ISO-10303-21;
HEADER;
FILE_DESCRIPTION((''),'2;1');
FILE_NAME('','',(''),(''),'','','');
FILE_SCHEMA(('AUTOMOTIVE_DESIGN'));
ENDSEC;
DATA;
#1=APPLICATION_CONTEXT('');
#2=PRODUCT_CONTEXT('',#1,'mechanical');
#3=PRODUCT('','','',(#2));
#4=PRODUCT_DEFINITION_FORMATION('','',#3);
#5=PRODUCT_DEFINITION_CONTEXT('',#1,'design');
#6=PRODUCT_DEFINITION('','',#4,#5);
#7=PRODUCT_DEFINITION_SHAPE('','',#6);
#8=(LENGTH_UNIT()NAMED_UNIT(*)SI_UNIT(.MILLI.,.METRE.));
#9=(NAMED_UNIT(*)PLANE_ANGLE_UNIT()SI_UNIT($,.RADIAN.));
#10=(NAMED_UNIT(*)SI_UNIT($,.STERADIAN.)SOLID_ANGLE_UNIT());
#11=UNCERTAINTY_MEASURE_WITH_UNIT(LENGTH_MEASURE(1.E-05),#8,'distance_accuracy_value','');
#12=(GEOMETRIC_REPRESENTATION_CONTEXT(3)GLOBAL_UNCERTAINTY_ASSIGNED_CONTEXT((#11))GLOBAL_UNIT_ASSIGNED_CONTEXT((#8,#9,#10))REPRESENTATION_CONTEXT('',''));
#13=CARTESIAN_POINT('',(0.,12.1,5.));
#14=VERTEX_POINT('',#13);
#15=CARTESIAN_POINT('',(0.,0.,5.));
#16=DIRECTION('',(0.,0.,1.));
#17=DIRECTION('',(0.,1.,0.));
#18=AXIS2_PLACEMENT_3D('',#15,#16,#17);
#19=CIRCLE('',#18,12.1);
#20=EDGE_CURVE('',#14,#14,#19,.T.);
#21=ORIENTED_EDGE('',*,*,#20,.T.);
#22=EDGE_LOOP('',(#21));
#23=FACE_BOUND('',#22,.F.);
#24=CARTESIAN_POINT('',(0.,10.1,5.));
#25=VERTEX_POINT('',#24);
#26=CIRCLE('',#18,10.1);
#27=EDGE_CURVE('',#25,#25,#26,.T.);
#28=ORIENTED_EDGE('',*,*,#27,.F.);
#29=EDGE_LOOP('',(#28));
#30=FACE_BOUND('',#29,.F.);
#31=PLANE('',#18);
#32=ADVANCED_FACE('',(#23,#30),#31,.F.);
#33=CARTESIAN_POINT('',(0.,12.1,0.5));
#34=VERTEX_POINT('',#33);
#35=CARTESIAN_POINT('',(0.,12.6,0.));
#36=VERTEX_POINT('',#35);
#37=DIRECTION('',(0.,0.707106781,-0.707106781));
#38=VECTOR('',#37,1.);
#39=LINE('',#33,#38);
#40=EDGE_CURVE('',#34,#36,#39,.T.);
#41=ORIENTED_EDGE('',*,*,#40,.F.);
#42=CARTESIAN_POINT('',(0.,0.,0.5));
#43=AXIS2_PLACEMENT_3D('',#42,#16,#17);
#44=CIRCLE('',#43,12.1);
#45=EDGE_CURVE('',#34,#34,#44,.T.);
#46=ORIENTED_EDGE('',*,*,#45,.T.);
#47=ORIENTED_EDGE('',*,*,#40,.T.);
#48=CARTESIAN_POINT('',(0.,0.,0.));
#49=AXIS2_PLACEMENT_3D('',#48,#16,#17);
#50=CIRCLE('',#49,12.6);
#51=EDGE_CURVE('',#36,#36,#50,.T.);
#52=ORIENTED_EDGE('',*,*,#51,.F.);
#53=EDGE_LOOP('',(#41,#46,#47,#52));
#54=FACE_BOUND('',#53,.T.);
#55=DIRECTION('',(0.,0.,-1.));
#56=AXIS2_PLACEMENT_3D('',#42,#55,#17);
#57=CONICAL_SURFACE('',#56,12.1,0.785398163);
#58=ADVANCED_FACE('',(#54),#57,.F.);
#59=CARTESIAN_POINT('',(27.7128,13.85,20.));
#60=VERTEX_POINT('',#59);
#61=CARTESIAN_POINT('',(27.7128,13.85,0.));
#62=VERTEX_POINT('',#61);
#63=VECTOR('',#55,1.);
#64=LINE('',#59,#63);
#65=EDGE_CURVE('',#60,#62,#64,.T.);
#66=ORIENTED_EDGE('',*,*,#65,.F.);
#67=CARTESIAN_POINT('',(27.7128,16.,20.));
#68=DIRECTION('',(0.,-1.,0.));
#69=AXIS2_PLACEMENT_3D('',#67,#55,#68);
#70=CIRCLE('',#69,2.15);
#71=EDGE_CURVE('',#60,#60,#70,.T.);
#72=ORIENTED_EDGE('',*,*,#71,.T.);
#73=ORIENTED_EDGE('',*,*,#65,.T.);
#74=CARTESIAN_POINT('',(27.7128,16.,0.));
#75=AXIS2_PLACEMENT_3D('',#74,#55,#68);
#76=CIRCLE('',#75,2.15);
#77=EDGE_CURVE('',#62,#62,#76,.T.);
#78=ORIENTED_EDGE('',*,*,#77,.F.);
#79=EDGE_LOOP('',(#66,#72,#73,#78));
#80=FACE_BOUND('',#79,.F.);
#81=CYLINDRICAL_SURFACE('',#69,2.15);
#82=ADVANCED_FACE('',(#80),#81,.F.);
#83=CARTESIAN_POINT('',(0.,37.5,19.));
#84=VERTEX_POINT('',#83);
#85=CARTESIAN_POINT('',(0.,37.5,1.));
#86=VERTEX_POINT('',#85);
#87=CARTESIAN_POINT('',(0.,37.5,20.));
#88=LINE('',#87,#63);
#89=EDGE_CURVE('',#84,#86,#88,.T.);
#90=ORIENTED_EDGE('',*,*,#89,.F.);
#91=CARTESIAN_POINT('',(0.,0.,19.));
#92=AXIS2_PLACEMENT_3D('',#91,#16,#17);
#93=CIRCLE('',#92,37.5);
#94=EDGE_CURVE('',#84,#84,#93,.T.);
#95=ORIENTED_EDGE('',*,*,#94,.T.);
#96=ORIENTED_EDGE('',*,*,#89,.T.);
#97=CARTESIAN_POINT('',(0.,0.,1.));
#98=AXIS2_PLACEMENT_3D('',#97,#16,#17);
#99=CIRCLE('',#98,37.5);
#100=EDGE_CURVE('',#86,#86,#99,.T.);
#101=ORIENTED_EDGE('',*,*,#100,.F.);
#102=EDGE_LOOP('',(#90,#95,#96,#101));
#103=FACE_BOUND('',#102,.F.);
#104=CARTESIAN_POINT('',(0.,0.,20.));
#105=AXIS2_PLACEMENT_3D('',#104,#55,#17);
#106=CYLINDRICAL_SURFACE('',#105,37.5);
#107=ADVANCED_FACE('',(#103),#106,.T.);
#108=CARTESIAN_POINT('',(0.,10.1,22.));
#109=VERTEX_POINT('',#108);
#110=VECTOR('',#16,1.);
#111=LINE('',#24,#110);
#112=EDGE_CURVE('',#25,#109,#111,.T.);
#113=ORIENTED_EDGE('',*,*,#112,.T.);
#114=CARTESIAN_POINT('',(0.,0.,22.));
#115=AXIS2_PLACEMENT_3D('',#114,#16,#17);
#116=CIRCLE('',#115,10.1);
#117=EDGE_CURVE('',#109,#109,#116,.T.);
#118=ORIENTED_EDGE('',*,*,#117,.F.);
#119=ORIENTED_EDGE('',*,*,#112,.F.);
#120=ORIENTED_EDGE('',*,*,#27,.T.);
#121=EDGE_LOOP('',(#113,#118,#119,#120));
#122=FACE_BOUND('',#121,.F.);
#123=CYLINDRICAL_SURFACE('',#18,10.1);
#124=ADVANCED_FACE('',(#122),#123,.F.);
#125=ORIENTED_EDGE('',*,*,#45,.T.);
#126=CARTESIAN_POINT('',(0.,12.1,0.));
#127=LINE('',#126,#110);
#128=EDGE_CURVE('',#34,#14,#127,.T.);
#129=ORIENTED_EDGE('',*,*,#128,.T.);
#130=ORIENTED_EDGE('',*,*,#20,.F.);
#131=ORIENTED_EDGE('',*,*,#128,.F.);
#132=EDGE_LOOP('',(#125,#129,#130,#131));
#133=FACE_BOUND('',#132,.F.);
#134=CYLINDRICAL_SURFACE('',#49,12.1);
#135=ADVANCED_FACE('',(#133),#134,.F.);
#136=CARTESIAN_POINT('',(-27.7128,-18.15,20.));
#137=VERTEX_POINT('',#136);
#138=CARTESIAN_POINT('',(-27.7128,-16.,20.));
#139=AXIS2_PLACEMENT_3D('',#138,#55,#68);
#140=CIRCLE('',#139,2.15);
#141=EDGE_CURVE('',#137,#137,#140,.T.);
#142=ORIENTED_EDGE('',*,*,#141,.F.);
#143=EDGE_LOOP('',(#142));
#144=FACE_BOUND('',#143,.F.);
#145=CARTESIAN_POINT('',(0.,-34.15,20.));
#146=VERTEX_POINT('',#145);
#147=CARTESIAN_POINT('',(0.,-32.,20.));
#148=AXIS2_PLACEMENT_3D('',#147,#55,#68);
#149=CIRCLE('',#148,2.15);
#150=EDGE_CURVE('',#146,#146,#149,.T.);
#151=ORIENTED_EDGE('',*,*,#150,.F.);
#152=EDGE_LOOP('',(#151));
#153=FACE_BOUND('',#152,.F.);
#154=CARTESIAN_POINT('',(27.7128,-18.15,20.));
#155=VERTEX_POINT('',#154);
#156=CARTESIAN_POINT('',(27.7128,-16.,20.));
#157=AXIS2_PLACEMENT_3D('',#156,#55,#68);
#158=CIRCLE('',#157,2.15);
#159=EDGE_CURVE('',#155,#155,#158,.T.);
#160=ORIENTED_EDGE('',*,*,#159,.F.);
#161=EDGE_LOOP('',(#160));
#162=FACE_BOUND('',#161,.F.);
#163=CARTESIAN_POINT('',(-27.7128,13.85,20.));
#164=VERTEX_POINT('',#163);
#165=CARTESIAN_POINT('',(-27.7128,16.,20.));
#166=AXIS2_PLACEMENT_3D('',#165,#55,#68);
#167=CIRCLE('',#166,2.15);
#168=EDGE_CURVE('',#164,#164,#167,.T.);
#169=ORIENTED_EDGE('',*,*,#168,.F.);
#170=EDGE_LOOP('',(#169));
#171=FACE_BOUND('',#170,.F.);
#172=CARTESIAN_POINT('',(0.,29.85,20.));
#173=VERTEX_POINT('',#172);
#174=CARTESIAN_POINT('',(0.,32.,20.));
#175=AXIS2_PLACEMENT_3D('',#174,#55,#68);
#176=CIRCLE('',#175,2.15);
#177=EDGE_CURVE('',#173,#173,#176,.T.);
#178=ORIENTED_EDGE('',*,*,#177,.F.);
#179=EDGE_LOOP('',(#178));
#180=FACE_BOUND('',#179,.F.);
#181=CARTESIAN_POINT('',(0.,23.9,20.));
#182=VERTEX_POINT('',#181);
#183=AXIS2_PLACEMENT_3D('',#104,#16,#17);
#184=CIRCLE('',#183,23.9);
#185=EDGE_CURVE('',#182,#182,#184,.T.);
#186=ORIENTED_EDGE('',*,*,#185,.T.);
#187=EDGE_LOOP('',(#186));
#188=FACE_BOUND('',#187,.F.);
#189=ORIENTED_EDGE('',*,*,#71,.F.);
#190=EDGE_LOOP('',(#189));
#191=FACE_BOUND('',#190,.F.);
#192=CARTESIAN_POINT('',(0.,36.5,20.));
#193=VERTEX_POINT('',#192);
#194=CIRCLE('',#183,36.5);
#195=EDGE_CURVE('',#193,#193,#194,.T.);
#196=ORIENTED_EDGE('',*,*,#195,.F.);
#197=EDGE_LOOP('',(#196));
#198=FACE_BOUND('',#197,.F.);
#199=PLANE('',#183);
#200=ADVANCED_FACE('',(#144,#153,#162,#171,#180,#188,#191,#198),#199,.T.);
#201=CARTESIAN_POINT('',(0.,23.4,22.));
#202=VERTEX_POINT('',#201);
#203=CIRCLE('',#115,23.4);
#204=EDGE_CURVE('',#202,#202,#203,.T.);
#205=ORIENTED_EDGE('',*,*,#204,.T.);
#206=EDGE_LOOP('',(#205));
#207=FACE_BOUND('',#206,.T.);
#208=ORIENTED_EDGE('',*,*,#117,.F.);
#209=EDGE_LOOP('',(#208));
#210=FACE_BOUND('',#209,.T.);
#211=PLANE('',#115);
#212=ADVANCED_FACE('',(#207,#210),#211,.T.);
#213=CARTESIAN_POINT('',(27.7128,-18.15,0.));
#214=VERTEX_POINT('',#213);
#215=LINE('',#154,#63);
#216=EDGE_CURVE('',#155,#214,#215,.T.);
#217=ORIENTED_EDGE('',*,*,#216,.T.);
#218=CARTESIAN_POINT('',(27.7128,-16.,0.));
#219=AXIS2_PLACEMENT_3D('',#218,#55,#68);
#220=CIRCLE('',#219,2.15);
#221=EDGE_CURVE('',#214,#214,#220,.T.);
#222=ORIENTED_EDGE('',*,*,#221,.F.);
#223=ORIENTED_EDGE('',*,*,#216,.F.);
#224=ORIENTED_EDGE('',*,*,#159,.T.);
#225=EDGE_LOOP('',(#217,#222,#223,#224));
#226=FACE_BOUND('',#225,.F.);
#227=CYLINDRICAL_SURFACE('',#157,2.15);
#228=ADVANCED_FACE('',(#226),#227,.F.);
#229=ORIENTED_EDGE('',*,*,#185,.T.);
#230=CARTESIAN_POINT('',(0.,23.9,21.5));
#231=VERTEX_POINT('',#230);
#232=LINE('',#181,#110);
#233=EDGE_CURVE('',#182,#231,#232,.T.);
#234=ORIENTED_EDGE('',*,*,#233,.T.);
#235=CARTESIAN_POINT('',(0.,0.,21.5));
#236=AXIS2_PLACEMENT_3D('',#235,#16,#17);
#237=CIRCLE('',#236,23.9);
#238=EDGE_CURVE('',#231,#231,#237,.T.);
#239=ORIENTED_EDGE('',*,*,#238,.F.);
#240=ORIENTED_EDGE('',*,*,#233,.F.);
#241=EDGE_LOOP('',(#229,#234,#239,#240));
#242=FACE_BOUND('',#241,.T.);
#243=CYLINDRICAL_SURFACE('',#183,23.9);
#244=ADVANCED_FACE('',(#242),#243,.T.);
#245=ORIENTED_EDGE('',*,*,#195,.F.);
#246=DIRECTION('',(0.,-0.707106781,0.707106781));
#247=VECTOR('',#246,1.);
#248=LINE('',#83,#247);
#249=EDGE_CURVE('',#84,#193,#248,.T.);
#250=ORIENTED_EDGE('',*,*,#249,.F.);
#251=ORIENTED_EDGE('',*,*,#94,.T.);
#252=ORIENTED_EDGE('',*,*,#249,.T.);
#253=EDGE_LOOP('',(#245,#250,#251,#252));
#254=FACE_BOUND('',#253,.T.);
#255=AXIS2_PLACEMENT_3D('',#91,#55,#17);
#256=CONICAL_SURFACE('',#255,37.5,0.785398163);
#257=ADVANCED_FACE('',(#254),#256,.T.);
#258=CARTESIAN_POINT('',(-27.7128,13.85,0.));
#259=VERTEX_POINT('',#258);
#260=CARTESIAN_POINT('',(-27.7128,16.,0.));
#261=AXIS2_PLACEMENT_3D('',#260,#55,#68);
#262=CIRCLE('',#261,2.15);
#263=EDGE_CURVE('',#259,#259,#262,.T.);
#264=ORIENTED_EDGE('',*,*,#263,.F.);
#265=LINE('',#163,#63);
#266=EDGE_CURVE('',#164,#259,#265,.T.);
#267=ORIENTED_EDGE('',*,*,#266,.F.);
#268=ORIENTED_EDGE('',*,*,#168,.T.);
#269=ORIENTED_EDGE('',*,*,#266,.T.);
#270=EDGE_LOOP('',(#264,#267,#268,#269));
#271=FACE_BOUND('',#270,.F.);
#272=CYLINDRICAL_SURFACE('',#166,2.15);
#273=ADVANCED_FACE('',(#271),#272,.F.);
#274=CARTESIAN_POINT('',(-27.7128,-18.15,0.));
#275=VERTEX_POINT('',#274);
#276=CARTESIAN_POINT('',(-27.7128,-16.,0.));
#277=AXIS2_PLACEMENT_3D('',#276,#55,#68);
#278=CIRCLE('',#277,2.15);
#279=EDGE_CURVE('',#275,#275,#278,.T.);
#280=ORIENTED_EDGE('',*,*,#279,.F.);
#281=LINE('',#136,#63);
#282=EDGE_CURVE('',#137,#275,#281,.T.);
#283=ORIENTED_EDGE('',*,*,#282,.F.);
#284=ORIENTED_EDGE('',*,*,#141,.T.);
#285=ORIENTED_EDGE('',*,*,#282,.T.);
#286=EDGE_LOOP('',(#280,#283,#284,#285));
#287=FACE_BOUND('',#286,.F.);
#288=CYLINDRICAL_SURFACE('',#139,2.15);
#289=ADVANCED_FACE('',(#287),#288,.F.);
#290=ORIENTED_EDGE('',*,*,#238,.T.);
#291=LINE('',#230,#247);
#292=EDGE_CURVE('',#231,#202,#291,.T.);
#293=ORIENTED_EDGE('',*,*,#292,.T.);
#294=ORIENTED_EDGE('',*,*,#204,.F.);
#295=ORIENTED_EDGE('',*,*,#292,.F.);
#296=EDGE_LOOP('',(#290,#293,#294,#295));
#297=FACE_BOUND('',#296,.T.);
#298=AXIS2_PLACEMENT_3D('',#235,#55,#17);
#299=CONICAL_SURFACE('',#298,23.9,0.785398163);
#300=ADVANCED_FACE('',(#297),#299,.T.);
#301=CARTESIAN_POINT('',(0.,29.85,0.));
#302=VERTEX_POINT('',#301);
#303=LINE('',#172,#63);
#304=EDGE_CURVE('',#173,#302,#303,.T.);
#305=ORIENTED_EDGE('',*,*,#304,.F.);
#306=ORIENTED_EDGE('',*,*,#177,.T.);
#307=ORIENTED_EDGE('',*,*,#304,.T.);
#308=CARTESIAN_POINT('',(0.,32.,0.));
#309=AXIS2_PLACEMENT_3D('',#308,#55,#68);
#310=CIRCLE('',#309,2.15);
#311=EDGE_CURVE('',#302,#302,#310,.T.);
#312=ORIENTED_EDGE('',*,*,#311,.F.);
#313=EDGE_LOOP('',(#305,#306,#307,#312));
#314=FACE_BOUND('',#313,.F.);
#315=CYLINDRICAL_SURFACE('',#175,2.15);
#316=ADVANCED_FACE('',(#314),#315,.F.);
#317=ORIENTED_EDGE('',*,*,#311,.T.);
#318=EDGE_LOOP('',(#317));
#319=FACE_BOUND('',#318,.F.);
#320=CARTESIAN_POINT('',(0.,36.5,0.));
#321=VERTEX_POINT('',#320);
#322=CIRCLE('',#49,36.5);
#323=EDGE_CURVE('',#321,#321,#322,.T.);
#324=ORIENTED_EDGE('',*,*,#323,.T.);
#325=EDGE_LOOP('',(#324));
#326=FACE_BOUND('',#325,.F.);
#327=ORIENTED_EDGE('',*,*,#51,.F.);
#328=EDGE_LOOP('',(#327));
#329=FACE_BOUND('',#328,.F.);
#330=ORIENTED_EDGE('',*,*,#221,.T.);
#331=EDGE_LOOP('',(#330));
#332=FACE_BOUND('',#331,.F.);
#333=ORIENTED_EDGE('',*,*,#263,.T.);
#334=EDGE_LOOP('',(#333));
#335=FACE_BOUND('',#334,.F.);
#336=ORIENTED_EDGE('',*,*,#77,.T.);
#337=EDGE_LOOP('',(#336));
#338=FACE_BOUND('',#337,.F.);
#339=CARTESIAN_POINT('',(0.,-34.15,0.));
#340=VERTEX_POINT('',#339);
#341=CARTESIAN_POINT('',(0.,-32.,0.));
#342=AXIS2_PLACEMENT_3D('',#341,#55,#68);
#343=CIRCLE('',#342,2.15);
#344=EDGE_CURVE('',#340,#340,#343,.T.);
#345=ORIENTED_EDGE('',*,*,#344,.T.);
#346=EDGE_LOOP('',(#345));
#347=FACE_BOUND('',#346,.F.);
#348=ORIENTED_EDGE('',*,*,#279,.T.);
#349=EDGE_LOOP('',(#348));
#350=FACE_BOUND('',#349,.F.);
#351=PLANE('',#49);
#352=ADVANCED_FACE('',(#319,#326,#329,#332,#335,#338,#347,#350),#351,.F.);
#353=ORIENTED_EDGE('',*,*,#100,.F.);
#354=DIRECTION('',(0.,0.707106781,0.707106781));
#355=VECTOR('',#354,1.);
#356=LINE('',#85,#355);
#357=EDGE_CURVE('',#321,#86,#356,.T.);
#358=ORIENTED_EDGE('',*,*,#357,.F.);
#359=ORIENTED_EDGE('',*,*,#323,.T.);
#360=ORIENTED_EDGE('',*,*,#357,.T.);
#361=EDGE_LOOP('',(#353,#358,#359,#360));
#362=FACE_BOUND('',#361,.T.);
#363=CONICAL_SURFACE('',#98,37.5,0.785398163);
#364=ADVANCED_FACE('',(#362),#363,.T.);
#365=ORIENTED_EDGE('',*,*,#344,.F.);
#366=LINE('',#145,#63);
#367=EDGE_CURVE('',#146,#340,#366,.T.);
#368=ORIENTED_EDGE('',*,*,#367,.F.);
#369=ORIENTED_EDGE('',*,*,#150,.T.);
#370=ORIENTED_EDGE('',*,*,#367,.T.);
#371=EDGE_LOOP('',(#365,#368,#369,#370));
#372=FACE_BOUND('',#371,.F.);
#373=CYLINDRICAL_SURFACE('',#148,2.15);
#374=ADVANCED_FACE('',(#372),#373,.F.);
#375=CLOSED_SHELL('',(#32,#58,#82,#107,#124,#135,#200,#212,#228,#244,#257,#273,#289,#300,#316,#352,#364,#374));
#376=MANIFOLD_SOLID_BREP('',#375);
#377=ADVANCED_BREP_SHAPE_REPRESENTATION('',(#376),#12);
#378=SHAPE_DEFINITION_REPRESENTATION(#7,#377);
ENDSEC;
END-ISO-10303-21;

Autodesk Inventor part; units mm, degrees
ref_plane "YZ Plane" through (0, 0, 0) normal (1, 0, 0) x (0, 1, 0)
ref_plane "XZ Plane" through (0, 0, 0) normal (0, 1, 0) x (-1, 0, 0)
ref_plane "XY Plane" through (0, 0, 0) normal (0, 0, 1) x (1, 0, 0)
sketch "スケッチ1" plane through (0, 0, 0) normal (1, 0, 0) x (0, 1, 0)
  line L0 (12.1, 0) -> (12.1, 5)
  line L1 (12.1, 5) -> (10.1, 5)
  line L2 (10.1, 5) -> (10.1, 22)
  line L3 (23.9, 20) -> (37.5, 20)
  line L4 (37.5, 20) -> (37.5, 0)
  line L5 (37.5, 0) -> (12.1, 0)
  line L6 (0, -4.4) -> (0, 26.4) projected
  line L7 (23.9, 20) -> (23.9, 22)
  line L8 (23.9, 22) -> (10.1, 22)
  point P0 (0, 0)
  dimension "d0" = 12.1
  dimension "d1" = 37.5
  dimension "d2" = 2
  dimension "d3" = 5
  dimension "d5" = 20
  dimension "d28" = 2
  dimension "d29" = 23.9
revolve "回転1" add sketch "スケッチ1" angle 360 about axis through (0, 0, -10) along (0, 0, 1)
chamfer "面取り1" distance 0.5 angle 45 1 edges at (0, -12.1, 0)
sketch "スケッチ2" plane through (0, 0, 20) normal (0, 0, 1) x (1, 0, 0)
  circle A0 centre (0, 0) radius 32
  point P0 (0, 32)
  point P1 (-27.7128, 16)
  point P2 (-27.7128, -16)
  point P3 (0, -32)
  point P4 (27.7128, -16)
  point P5 (27.7128, 16)
  dimension "d10" = 64
  dimension "d13" = 360
hole "穴1" at (0, 32, 20) at (-27.7128, 16, 20) at (-27.7128, -16, 20) at (0, -32, 20) at (27.7128, -16, 20) at (27.7128, 16, 20) direction (0, 0, -1) diameter 4.3 end through all clearance for "Flat Head Machine Screw" size "M4" standard "Ansi Metric M Profile"
chamfer "面取り2" distance 1 angle 45 2 edges at (0, -37.5, 0) (0, -37.5, 20)
chamfer "面取り3" distance 0.5 angle 45 1 edges at (0, -23.9, 22)
properties part number "unit-base2" material "ABS プラスチック"
